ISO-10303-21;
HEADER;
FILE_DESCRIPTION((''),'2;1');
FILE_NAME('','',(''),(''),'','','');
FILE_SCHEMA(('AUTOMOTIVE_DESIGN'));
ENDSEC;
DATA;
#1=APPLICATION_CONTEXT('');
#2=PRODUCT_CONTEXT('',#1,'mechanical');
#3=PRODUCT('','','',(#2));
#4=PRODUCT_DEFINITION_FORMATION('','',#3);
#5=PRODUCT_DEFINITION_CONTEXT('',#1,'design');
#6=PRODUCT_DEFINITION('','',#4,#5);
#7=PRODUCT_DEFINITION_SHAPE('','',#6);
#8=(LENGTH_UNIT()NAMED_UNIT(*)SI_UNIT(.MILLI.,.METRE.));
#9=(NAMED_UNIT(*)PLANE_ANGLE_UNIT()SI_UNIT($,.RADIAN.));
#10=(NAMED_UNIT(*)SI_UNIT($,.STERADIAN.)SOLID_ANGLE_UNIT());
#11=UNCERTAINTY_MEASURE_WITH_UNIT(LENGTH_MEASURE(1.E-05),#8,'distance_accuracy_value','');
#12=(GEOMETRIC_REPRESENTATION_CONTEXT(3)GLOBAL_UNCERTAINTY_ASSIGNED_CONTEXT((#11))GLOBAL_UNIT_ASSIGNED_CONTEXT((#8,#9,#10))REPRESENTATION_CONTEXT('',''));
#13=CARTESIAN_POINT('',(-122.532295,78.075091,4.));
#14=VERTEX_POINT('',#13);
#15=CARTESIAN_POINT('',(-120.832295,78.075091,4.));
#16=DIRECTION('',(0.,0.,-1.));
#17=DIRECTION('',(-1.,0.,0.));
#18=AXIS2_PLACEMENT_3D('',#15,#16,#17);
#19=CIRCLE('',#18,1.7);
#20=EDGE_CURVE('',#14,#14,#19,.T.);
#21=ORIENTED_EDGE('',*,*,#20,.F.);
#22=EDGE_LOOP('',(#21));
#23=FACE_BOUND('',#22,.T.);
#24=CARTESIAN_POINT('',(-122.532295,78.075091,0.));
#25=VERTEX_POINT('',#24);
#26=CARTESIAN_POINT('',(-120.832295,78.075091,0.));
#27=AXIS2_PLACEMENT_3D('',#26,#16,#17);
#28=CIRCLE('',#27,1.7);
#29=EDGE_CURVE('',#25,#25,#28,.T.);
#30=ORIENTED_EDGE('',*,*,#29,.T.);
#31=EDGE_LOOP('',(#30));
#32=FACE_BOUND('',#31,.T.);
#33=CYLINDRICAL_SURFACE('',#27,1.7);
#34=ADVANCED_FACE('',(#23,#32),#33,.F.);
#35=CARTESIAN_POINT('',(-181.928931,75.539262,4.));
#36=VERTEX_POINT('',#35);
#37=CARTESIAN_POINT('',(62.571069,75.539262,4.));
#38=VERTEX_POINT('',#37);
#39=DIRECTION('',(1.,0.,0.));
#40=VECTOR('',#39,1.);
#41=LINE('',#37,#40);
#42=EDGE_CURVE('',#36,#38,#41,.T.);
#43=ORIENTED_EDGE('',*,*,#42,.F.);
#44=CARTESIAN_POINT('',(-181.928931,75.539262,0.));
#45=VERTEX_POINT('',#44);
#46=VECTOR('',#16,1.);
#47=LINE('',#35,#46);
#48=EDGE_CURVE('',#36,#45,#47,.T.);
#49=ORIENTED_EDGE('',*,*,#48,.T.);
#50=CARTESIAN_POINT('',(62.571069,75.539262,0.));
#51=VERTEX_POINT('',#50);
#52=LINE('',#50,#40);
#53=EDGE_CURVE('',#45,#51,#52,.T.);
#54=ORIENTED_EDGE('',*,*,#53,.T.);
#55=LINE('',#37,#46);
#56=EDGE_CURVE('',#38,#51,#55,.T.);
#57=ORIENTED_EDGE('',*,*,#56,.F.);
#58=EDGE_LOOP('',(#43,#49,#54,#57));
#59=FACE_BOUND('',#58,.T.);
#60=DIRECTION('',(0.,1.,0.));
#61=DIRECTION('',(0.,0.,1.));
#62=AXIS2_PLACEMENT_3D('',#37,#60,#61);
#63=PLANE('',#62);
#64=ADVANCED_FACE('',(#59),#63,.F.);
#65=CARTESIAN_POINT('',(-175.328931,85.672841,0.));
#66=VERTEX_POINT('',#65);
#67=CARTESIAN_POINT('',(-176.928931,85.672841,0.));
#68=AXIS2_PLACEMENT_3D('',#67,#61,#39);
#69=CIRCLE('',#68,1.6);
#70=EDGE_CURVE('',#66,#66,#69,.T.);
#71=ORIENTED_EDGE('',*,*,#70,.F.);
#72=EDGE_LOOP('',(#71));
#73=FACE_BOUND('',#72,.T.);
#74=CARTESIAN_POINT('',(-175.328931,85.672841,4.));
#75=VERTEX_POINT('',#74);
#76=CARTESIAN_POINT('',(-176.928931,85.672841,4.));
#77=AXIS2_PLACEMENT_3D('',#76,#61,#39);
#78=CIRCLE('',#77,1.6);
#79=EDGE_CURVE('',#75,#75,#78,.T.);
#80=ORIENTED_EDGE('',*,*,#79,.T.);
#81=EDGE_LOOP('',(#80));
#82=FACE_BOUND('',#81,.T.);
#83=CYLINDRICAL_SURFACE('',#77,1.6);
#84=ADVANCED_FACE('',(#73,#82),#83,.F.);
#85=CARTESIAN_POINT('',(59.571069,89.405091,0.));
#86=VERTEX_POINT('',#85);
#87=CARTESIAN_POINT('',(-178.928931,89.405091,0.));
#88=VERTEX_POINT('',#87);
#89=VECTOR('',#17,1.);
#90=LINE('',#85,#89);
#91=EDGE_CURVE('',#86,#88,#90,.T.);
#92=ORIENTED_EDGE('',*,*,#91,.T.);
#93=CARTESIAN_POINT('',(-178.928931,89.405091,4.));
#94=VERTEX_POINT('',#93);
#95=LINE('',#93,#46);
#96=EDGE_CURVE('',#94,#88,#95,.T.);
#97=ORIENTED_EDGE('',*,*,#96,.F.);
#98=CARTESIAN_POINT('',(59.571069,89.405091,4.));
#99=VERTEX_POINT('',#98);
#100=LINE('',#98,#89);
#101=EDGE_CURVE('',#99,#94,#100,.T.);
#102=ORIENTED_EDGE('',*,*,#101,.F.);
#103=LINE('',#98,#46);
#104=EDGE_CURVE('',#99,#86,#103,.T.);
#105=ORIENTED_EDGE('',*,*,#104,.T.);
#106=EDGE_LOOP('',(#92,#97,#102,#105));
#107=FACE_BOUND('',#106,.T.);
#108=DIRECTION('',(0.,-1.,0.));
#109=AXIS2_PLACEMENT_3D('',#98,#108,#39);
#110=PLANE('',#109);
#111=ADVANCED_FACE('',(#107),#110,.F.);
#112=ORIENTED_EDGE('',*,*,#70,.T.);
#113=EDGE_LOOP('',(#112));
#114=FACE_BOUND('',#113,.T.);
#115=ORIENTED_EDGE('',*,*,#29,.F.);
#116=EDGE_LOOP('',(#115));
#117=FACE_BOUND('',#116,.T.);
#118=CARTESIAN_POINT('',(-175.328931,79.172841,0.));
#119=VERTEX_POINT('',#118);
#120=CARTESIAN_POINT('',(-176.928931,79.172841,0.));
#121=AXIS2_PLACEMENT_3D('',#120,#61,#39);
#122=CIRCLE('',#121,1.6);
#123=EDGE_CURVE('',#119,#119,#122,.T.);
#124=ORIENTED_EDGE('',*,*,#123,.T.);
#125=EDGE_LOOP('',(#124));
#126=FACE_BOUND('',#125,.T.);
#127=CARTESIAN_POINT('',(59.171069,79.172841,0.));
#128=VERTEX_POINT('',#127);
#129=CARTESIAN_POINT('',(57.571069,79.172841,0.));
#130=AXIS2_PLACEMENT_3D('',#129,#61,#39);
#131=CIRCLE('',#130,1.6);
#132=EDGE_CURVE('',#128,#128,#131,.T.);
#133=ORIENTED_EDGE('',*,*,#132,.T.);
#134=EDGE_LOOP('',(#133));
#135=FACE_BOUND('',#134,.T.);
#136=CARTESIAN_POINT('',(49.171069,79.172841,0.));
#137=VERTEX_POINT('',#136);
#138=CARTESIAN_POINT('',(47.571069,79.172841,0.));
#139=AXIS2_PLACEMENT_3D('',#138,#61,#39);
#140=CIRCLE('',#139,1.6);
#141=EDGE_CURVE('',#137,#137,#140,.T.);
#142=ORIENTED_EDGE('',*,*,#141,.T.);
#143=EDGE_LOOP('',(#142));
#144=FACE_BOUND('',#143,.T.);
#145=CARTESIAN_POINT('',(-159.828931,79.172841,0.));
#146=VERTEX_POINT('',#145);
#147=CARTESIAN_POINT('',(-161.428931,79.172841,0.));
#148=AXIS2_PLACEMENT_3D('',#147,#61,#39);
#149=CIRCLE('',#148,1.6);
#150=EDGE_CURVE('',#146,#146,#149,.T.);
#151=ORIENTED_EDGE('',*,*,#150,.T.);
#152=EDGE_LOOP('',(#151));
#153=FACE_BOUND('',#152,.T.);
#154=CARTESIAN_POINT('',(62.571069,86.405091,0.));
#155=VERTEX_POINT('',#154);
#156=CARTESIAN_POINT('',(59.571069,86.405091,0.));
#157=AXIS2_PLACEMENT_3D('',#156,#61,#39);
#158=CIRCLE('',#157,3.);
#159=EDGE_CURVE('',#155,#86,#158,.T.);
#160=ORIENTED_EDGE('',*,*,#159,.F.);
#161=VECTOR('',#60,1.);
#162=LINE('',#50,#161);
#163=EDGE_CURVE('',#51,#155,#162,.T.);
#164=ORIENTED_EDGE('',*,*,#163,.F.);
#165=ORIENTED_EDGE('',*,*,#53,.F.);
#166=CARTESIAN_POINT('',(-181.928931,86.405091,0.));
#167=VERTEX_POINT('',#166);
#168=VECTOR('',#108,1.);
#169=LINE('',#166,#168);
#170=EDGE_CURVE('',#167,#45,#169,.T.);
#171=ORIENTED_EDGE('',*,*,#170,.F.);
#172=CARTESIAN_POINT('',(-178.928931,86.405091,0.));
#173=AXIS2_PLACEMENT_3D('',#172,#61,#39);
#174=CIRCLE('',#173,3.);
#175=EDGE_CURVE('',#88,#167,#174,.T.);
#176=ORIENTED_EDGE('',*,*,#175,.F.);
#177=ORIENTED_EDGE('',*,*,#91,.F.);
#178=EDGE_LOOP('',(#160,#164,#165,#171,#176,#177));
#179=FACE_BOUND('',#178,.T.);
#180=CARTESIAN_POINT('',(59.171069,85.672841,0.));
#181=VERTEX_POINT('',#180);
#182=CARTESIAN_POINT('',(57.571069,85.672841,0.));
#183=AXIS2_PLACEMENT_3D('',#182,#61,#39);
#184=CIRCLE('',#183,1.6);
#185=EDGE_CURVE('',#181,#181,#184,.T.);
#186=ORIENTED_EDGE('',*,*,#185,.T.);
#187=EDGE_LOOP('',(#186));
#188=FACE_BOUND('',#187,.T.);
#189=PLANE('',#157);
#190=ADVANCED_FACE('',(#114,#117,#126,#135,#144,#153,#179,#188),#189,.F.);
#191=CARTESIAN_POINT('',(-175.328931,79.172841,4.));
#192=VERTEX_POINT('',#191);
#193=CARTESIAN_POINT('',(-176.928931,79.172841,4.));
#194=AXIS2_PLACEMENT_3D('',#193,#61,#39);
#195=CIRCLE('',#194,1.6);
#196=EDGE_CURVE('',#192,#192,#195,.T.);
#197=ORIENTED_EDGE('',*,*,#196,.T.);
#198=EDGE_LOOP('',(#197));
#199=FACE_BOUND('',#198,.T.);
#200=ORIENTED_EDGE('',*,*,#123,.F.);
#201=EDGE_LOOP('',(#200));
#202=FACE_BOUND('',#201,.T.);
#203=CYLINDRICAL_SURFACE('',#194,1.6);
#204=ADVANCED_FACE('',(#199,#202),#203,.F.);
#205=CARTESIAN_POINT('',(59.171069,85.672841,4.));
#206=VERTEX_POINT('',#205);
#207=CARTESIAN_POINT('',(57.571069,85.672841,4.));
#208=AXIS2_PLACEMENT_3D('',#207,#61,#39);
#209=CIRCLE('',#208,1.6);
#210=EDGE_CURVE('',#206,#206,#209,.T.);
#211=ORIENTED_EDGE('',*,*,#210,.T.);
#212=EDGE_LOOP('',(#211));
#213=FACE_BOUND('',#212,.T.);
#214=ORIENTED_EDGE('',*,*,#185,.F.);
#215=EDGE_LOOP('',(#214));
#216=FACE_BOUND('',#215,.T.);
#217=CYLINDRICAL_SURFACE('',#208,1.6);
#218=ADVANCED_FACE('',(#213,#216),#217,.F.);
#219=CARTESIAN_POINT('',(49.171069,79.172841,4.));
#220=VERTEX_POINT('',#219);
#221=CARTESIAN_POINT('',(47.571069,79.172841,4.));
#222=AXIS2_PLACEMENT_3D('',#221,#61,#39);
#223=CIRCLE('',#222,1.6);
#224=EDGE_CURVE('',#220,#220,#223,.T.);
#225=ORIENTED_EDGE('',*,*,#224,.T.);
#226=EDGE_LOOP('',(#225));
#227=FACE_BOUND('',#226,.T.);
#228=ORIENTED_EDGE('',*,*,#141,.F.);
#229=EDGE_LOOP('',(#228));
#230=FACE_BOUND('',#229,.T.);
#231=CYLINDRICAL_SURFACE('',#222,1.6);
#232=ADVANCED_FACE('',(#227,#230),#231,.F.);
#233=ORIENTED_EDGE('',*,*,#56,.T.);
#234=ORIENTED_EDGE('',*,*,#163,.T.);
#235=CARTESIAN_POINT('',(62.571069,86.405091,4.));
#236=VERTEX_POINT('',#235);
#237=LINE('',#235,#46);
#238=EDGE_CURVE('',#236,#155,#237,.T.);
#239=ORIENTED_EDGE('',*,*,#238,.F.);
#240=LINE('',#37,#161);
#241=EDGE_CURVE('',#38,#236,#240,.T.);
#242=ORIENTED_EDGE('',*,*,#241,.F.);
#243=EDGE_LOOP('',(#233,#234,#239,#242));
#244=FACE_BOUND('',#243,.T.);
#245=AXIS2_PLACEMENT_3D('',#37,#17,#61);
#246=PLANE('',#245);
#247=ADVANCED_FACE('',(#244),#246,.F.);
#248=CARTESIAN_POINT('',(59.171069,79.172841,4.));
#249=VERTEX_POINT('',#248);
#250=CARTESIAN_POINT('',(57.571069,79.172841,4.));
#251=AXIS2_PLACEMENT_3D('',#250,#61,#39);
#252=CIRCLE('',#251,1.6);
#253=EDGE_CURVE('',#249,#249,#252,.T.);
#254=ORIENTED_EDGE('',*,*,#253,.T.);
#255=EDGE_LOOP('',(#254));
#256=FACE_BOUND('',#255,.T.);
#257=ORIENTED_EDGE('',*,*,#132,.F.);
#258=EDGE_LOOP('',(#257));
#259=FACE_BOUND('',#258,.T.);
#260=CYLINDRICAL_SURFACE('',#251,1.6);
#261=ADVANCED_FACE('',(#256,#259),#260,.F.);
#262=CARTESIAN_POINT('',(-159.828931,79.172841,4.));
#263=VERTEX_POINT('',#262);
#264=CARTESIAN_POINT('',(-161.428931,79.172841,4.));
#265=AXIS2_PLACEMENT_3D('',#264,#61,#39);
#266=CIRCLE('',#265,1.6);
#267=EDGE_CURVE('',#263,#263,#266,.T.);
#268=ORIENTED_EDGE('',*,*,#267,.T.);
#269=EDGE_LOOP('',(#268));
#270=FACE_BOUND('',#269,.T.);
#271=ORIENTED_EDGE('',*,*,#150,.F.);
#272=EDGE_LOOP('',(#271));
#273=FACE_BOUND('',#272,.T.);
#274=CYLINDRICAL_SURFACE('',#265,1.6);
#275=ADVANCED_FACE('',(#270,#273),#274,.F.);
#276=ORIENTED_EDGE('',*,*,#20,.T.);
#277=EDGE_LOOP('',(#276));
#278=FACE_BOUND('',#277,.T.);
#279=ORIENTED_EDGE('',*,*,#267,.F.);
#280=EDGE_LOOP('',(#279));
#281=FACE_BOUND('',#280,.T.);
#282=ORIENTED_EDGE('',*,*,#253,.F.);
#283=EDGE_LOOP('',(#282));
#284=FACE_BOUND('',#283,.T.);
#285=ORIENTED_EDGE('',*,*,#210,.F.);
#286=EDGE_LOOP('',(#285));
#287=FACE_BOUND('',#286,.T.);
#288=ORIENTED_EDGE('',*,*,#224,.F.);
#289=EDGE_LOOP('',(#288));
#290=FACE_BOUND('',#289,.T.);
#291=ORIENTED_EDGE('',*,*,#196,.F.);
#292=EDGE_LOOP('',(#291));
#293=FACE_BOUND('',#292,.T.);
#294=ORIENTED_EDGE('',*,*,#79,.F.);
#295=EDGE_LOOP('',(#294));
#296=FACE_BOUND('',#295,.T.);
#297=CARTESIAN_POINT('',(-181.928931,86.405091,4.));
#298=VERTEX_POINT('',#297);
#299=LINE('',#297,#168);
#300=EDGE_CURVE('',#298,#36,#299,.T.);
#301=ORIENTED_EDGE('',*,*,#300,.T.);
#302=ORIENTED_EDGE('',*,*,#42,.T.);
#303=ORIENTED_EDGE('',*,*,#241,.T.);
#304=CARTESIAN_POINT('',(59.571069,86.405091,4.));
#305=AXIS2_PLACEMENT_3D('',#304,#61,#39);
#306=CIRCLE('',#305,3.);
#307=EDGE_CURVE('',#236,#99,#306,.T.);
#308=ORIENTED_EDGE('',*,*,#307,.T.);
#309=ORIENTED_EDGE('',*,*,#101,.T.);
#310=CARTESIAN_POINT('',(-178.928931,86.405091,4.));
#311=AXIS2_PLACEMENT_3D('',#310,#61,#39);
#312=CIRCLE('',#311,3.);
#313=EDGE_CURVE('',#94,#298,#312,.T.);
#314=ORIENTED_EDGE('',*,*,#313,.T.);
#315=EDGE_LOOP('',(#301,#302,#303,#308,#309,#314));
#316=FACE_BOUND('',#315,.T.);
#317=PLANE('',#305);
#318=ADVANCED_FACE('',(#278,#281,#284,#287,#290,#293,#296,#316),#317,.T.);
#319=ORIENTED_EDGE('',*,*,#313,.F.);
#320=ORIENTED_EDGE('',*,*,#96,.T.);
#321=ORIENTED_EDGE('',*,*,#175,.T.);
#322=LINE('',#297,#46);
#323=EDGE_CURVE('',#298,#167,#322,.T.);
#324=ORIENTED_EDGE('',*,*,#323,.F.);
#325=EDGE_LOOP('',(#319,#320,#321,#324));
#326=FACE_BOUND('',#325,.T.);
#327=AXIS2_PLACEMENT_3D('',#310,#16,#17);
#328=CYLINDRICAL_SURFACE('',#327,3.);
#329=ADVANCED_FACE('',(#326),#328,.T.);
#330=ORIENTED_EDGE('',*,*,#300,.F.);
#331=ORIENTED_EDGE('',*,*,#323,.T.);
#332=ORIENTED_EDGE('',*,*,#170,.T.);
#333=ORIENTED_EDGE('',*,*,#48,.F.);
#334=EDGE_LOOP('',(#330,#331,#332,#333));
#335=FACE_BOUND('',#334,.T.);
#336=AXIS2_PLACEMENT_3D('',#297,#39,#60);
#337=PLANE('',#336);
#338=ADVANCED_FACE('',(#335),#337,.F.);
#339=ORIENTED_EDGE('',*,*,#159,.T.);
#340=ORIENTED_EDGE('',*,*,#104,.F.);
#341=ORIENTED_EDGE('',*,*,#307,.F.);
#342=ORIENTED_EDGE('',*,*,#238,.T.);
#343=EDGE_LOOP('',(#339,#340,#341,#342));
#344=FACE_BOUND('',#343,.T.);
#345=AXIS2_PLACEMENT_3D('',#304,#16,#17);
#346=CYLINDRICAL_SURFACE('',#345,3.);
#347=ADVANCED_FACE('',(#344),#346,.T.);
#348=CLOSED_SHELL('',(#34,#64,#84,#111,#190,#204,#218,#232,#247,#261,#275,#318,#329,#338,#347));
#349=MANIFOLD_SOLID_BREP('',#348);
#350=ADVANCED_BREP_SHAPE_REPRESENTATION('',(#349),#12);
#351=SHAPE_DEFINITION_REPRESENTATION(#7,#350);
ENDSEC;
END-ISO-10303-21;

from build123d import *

# Parameters (mm, degrees)
BOSS_EXTRUDE1_DEPTH  = 4
M3_CLEARANCE_HOLE1_D = 3.2
M3_CLEARANCE_HOLE2_D = 3.4


with BuildPart() as part:
    # Sketch1 → Boss-Extrude1 (new body)
    with BuildSketch(Plane.XY):
        with BuildLine():
            Line((59.571068699, 89.405091171), (-178.928931301, 89.405091171))
            ThreePointArc((-178.928931301, 89.405091171), (-181.050251645, 88.526411514), (-181.928931301, 86.405091171))
            Line((-181.928931301, 86.405091171), (-181.928931301, 75.539261619))
            Line((-181.928931301, 75.539261619), (62.571068699, 75.539261619))
            Line((62.571068699, 75.539261619), (62.571068699, 86.405091171))
            ThreePointArc((62.571068699, 86.405091171), (61.692389042, 88.526411514), (59.571068699, 89.405091171))
        make_face()
    extrude(amount=BOSS_EXTRUDE1_DEPTH)

    # M3 Clearance Hole1 (through all)
    with Locations(Plane.XY.offset(4)):
        with Locations((-176.928931301, 85.672841171), (-176.928931301, 79.172841171), (-161.428931301, 79.172841171), (47.571068699, 79.172841171), (57.571068699, 79.172841171), (57.571068699, 85.672841171)):
            Hole(M3_CLEARANCE_HOLE1_D / 2)

    # M3 Clearance Hole2 (through all)
    with Locations(Plane(origin=(0, 0, 0), x_dir=(-1, 0, 0), z_dir=(0, 0, -1))):
        with Locations((120.8322952, 78.075091171)):
            Hole(M3_CLEARANCE_HOLE2_D / 2)


solid = part.part
